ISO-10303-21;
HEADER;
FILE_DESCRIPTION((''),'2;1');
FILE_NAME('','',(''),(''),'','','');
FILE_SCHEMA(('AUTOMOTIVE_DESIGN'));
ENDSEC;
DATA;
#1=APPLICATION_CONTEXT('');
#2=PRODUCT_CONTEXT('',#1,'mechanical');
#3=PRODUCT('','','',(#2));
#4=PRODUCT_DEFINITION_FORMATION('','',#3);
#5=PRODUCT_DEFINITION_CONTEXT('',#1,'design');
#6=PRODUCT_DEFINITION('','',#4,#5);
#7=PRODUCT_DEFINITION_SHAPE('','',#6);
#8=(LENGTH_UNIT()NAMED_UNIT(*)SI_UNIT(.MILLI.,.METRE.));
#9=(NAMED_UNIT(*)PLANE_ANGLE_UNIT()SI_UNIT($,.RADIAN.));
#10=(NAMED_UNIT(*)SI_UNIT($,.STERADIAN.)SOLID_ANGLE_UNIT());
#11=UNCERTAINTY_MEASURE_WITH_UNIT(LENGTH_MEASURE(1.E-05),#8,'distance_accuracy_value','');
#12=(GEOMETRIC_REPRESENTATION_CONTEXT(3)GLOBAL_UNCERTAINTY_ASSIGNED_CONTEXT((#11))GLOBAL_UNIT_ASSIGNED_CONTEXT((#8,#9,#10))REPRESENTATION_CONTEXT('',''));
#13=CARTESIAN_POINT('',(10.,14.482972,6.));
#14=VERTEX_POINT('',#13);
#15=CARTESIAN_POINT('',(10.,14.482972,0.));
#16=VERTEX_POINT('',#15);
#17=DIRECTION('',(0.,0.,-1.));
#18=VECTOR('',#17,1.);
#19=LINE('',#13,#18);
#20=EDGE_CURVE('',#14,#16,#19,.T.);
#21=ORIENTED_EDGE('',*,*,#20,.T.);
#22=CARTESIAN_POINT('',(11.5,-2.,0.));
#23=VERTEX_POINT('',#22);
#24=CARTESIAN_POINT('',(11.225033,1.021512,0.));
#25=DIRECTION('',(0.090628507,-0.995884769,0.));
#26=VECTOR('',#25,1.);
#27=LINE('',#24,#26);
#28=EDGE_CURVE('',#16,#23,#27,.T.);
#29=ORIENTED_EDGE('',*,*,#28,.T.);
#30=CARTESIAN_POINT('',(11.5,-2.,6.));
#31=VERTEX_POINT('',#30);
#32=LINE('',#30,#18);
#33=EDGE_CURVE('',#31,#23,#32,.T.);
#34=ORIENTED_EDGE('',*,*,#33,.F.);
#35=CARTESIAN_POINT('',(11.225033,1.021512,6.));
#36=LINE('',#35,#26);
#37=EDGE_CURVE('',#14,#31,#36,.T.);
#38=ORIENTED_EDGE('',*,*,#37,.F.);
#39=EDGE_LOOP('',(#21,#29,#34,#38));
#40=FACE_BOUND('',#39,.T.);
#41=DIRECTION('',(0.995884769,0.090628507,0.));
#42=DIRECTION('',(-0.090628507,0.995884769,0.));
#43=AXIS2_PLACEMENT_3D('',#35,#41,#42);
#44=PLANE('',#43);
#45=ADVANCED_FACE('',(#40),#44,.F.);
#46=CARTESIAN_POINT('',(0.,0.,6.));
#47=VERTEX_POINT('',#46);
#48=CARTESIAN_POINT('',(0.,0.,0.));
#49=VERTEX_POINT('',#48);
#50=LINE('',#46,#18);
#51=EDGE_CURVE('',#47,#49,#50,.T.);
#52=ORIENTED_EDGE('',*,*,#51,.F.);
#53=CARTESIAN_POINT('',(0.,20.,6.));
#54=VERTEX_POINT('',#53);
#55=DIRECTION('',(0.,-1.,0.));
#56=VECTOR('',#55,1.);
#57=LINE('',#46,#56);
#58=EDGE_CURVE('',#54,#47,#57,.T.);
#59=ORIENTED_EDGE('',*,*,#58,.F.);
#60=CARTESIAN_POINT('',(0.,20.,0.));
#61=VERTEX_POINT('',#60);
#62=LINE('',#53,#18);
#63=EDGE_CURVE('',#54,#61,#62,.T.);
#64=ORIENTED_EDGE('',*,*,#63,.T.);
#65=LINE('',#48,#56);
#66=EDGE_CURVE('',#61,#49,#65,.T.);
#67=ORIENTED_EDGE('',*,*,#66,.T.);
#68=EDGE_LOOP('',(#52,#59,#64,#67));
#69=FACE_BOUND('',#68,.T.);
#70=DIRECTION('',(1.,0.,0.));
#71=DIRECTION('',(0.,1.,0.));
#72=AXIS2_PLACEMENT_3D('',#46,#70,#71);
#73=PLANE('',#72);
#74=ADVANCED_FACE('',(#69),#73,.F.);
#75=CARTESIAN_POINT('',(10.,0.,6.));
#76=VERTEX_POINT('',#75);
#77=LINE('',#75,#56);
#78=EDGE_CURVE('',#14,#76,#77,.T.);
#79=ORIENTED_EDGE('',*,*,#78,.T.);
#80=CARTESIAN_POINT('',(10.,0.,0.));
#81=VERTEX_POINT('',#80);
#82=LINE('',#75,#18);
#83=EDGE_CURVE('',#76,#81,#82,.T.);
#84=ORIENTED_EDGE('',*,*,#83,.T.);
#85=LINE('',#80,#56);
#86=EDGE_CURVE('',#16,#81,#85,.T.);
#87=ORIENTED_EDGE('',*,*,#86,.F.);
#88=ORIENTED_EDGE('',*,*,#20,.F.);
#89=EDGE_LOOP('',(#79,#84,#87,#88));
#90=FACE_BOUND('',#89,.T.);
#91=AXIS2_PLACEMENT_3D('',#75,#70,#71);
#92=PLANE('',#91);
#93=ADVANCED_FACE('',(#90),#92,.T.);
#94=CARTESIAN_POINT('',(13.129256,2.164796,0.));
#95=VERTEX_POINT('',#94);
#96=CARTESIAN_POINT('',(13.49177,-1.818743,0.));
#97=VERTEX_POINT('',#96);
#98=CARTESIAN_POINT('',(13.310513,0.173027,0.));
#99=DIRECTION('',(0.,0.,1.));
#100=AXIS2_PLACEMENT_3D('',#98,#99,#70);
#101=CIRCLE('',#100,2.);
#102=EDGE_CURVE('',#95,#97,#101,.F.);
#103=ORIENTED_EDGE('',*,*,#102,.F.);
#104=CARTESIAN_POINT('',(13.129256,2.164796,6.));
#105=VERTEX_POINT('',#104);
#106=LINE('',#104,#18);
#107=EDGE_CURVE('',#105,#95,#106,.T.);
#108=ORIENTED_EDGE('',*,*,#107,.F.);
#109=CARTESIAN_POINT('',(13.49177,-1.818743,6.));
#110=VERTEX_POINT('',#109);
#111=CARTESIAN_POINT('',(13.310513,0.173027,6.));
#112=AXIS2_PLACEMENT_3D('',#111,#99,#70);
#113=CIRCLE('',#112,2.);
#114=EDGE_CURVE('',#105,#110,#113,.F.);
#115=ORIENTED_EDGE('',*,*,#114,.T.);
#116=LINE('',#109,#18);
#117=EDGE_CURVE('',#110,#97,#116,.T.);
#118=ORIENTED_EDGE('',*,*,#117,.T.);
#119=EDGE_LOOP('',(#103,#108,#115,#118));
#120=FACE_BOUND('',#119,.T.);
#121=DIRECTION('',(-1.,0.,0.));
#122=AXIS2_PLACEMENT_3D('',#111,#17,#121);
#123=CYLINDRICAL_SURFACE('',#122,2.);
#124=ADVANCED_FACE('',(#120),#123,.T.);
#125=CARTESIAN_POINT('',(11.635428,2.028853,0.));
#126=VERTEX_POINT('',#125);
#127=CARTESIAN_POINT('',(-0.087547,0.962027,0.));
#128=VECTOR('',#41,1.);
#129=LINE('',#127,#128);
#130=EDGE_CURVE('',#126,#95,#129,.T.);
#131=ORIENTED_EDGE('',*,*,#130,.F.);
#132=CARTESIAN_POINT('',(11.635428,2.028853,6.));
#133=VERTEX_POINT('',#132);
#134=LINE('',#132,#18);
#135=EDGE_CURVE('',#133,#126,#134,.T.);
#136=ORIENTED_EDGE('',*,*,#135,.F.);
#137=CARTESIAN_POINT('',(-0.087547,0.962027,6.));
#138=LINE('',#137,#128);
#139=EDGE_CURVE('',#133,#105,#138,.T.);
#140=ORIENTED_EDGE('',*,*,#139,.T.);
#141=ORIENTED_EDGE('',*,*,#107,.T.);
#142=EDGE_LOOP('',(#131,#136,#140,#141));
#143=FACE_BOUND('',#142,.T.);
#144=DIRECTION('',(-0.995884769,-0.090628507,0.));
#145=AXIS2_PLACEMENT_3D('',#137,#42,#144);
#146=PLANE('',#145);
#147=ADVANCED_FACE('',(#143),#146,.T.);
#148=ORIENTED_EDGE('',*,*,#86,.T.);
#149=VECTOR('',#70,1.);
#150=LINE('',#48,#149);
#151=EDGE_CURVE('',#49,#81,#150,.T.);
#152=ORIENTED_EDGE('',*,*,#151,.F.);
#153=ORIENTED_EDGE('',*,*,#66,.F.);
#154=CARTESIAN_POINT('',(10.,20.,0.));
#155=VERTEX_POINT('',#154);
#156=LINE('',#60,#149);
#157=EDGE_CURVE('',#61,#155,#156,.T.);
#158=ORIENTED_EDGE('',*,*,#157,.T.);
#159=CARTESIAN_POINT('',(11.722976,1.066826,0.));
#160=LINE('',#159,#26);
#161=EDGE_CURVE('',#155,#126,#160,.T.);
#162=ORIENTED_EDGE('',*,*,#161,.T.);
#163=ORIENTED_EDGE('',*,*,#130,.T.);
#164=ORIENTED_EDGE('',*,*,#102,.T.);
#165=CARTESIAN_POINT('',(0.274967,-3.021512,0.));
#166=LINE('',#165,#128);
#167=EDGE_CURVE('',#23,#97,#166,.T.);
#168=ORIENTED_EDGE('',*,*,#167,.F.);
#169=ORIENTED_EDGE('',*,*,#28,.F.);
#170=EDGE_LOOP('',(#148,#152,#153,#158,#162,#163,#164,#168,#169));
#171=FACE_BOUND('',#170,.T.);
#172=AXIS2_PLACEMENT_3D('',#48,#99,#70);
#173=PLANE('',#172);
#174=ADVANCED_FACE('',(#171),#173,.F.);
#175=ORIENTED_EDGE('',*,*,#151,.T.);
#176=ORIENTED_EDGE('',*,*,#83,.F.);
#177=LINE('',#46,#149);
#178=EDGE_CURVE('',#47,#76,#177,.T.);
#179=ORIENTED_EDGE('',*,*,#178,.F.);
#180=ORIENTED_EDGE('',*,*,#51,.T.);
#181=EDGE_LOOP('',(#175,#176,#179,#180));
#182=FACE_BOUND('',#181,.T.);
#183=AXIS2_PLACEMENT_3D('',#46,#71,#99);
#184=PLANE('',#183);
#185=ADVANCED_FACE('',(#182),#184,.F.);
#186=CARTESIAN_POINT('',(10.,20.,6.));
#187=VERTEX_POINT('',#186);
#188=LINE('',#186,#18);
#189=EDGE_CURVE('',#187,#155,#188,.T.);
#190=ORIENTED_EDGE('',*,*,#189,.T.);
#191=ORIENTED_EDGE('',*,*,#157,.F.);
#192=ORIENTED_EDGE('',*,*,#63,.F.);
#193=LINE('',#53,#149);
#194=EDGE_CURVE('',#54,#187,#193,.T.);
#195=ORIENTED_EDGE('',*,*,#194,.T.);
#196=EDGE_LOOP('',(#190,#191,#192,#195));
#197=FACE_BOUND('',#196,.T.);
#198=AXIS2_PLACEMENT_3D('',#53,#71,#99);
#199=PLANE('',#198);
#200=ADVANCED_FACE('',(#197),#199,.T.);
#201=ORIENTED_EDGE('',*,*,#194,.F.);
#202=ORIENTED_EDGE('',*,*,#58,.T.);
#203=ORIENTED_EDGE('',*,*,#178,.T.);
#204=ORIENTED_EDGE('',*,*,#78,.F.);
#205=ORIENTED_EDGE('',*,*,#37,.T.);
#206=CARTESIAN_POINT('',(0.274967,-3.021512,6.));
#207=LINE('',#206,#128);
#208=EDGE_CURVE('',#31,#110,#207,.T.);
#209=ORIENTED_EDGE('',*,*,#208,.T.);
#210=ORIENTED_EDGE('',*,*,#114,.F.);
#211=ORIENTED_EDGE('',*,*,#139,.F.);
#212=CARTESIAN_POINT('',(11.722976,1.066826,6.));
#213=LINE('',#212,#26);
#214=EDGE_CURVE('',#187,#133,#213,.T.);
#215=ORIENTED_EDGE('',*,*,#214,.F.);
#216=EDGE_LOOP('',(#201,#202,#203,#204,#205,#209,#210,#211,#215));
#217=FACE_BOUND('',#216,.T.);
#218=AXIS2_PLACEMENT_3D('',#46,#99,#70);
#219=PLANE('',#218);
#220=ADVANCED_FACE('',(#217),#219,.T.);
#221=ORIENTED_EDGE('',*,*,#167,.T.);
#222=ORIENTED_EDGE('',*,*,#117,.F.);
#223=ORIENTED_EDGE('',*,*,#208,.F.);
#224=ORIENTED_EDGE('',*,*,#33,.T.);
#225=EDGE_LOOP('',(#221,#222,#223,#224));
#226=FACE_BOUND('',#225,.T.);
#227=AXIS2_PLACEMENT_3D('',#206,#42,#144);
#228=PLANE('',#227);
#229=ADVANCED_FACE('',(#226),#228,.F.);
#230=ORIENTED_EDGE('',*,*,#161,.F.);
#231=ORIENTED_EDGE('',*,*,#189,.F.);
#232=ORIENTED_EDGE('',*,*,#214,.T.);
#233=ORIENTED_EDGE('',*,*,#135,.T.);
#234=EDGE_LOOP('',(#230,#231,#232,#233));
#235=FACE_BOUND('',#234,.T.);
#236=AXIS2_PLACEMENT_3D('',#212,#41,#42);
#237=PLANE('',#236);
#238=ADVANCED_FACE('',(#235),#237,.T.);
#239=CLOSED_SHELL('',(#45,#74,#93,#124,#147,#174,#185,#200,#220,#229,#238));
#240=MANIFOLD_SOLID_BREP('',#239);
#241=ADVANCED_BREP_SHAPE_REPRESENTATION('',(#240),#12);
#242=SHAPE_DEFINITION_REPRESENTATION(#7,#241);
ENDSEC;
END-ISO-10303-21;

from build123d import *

# Parameters (mm, degrees)
SZKIC1_W                    = 10
SZKIC1_H                    = 20
DODANIE_WYCI_GNI_CIE1_DEPTH = 6


with BuildPart() as part:
    # Szkic1 → Dodanie-wyciągnięcie1 (new body)
    with BuildSketch(Plane.XY):
        with Locations((5, 10)):
            Rectangle(SZKIC1_W, SZKIC1_H)
        with BuildLine():
            Line((10, 20), (10, 14.482972118))
            Line((10, 14.482972118), (11.5, -2))
            Line((11.5, -2), (13.491769539, -1.818742986))
            ThreePointArc((13.491769539, -1.818742986), (15.302282063, 0.354283567), (13.129255511, 2.164796091))
            Line((13.129255511, 2.164796091), (11.635428357, 2.028853331))
            Line((11.635428357, 2.028853331), (10, 20))
        make_face()
    extrude(amount=DODANIE_WYCI_GNI_CIE1_DEPTH)


solid = part.part
